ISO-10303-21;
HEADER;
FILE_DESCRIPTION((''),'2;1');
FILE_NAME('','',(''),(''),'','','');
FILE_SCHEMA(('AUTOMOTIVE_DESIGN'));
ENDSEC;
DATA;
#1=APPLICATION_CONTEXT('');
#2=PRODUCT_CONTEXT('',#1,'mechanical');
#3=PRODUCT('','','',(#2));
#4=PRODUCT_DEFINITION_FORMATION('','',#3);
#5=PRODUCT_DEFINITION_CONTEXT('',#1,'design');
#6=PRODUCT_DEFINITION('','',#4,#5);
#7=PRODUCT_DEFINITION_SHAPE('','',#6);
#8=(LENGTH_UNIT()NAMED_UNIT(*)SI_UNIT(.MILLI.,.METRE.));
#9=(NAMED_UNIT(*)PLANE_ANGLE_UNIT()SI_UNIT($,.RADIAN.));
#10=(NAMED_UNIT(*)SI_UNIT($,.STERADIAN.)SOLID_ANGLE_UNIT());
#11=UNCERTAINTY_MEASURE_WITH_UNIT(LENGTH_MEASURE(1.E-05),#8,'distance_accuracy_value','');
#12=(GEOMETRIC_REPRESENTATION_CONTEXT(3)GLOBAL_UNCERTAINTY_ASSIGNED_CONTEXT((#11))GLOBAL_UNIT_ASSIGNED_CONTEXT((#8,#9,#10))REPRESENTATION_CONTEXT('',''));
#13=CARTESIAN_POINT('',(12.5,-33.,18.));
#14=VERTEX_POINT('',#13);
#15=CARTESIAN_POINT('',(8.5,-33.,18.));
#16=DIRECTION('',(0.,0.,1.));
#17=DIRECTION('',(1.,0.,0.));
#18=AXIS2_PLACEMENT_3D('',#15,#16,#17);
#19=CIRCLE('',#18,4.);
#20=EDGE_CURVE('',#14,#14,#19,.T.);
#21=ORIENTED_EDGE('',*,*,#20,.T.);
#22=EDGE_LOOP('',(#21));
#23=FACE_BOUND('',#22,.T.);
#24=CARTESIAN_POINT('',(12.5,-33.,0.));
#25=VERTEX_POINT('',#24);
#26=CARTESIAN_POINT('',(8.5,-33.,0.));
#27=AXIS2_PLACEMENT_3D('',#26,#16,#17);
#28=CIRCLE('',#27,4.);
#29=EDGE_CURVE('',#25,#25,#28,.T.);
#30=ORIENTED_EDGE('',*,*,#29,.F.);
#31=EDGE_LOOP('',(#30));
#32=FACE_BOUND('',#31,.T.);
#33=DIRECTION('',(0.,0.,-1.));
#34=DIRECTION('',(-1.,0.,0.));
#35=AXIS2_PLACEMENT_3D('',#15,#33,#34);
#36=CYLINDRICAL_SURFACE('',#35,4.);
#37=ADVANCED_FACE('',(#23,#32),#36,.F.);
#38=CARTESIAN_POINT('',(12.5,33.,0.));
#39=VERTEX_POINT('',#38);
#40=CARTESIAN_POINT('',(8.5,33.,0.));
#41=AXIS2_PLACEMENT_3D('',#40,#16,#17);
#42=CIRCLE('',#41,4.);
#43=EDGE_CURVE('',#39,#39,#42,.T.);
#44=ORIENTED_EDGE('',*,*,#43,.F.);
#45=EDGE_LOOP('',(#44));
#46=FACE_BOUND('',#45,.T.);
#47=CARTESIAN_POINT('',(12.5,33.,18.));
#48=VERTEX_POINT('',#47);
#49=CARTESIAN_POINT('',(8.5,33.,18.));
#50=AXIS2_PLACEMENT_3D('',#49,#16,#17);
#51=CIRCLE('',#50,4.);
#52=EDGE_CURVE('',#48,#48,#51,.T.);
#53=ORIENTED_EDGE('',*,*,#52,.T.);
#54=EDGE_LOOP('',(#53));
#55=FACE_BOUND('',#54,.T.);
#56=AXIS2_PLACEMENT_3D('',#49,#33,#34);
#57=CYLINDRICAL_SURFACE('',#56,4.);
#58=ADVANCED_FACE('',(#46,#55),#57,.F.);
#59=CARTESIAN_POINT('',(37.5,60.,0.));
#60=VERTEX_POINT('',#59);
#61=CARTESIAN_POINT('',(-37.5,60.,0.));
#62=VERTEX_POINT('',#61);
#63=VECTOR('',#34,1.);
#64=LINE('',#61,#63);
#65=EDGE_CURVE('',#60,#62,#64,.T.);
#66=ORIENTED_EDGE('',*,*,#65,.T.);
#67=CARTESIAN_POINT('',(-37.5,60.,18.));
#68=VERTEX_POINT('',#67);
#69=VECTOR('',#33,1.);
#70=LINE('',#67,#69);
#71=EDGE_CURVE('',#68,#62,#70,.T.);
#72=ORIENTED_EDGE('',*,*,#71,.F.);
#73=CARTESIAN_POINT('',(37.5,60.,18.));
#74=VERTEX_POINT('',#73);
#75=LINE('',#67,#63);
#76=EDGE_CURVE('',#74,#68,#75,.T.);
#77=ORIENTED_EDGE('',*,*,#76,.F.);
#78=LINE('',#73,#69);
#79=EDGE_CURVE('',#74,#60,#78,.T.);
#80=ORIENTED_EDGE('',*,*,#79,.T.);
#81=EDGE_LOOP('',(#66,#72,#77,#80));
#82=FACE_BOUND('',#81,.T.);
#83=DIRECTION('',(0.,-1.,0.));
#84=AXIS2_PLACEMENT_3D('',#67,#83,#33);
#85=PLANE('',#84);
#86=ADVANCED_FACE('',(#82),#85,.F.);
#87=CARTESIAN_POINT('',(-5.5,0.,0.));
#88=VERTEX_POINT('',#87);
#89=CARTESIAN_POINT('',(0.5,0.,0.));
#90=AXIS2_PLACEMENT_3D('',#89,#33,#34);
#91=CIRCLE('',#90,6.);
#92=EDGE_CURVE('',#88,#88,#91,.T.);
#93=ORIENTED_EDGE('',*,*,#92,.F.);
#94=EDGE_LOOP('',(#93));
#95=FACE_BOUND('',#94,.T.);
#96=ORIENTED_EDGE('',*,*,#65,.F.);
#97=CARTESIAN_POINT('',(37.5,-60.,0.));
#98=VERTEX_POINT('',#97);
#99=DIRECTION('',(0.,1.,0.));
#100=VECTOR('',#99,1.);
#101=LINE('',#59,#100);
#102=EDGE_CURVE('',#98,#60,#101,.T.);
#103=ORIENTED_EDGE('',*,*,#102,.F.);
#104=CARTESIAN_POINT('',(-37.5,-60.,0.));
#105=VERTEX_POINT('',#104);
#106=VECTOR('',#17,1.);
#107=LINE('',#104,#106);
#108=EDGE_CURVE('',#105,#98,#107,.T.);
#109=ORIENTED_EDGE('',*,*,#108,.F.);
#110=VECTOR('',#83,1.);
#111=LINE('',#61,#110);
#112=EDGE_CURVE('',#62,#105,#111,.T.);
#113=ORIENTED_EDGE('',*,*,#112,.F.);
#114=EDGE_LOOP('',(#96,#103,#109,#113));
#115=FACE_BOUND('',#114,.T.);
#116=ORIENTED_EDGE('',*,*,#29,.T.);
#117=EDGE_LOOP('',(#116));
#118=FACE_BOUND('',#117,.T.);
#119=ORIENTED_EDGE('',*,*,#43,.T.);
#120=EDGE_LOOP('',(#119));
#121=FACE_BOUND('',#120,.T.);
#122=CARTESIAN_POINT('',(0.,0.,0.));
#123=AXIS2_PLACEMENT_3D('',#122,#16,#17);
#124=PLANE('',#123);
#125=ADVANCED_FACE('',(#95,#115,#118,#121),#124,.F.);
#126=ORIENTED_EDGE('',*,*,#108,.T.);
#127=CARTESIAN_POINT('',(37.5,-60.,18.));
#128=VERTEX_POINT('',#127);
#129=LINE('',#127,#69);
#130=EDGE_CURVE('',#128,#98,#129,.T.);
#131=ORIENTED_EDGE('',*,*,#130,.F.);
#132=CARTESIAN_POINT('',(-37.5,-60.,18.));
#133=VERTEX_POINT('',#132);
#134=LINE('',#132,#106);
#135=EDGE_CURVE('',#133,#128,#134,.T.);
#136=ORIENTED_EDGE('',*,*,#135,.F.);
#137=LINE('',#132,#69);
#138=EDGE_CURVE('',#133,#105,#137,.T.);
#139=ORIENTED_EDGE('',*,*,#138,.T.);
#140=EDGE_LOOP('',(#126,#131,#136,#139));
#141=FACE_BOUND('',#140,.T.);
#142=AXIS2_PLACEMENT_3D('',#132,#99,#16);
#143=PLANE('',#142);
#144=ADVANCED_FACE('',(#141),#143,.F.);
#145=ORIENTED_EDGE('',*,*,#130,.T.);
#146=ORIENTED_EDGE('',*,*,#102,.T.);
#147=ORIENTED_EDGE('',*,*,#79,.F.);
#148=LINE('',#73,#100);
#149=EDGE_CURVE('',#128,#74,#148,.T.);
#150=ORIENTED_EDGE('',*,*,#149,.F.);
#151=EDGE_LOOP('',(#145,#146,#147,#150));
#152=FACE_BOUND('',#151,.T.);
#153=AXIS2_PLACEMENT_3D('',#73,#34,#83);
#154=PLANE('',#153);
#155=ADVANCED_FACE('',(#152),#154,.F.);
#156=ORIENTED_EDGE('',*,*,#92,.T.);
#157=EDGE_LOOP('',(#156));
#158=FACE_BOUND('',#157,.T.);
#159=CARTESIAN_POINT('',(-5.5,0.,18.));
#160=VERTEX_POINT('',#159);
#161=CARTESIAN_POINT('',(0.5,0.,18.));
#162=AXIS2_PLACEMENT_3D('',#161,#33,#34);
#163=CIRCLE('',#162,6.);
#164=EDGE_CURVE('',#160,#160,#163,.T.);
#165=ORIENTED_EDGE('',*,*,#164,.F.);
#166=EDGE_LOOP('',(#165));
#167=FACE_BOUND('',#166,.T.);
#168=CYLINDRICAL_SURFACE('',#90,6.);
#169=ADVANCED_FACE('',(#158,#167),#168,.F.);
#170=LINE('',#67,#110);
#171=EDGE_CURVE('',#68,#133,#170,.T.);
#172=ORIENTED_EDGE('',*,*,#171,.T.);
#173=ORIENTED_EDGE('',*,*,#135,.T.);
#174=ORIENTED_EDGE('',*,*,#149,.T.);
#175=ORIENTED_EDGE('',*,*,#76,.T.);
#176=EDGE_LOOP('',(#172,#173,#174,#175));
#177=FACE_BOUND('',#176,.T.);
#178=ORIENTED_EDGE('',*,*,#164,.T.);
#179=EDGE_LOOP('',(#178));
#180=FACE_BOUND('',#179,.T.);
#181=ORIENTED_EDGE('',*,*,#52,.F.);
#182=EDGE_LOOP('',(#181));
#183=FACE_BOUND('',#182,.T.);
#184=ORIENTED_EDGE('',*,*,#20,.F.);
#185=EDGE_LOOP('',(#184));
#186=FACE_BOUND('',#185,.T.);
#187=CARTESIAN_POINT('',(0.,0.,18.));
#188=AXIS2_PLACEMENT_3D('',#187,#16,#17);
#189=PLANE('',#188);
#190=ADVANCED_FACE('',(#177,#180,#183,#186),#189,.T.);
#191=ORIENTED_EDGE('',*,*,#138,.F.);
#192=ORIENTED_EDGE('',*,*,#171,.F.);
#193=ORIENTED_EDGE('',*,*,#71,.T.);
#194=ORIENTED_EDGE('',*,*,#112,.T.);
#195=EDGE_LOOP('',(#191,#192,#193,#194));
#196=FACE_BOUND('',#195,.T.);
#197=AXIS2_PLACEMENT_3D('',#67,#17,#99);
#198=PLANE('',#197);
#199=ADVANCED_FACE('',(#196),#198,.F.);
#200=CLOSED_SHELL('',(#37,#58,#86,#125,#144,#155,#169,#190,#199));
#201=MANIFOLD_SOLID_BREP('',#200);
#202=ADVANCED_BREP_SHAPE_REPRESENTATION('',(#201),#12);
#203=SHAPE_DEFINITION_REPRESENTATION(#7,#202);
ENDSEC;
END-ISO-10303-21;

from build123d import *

# Parameters (mm, degrees)
SKETCH1_W             = 75
SKETCH1_H             = 120
SKETCH1_R             = 4
BOSS_EXTRUDE1_DEPTH   = 18
F_1_0MM_DOWEL_HOLE1_D = 12


with BuildPart() as part:
    # Sketch1 → Boss-Extrude1 (new body)
    with BuildSketch(Plane.XY):
        Rectangle(SKETCH1_W, SKETCH1_H)
        with Locations((8.5, 33)):
            Circle(SKETCH1_R, mode=Mode.SUBTRACT)
        with Locations((8.5, -33)):
            Circle(SKETCH1_R, mode=Mode.SUBTRACT)
    extrude(amount=BOSS_EXTRUDE1_DEPTH)

    # Ø1.0mm Dowel Hole1 (through all)
    with Locations(Plane(origin=(0, 0, 0), x_dir=(-1, 0, 0), z_dir=(0, 0, -1))):
        with Locations((-0.5, 0)):
            Hole(F_1_0MM_DOWEL_HOLE1_D / 2)


solid = part.part
